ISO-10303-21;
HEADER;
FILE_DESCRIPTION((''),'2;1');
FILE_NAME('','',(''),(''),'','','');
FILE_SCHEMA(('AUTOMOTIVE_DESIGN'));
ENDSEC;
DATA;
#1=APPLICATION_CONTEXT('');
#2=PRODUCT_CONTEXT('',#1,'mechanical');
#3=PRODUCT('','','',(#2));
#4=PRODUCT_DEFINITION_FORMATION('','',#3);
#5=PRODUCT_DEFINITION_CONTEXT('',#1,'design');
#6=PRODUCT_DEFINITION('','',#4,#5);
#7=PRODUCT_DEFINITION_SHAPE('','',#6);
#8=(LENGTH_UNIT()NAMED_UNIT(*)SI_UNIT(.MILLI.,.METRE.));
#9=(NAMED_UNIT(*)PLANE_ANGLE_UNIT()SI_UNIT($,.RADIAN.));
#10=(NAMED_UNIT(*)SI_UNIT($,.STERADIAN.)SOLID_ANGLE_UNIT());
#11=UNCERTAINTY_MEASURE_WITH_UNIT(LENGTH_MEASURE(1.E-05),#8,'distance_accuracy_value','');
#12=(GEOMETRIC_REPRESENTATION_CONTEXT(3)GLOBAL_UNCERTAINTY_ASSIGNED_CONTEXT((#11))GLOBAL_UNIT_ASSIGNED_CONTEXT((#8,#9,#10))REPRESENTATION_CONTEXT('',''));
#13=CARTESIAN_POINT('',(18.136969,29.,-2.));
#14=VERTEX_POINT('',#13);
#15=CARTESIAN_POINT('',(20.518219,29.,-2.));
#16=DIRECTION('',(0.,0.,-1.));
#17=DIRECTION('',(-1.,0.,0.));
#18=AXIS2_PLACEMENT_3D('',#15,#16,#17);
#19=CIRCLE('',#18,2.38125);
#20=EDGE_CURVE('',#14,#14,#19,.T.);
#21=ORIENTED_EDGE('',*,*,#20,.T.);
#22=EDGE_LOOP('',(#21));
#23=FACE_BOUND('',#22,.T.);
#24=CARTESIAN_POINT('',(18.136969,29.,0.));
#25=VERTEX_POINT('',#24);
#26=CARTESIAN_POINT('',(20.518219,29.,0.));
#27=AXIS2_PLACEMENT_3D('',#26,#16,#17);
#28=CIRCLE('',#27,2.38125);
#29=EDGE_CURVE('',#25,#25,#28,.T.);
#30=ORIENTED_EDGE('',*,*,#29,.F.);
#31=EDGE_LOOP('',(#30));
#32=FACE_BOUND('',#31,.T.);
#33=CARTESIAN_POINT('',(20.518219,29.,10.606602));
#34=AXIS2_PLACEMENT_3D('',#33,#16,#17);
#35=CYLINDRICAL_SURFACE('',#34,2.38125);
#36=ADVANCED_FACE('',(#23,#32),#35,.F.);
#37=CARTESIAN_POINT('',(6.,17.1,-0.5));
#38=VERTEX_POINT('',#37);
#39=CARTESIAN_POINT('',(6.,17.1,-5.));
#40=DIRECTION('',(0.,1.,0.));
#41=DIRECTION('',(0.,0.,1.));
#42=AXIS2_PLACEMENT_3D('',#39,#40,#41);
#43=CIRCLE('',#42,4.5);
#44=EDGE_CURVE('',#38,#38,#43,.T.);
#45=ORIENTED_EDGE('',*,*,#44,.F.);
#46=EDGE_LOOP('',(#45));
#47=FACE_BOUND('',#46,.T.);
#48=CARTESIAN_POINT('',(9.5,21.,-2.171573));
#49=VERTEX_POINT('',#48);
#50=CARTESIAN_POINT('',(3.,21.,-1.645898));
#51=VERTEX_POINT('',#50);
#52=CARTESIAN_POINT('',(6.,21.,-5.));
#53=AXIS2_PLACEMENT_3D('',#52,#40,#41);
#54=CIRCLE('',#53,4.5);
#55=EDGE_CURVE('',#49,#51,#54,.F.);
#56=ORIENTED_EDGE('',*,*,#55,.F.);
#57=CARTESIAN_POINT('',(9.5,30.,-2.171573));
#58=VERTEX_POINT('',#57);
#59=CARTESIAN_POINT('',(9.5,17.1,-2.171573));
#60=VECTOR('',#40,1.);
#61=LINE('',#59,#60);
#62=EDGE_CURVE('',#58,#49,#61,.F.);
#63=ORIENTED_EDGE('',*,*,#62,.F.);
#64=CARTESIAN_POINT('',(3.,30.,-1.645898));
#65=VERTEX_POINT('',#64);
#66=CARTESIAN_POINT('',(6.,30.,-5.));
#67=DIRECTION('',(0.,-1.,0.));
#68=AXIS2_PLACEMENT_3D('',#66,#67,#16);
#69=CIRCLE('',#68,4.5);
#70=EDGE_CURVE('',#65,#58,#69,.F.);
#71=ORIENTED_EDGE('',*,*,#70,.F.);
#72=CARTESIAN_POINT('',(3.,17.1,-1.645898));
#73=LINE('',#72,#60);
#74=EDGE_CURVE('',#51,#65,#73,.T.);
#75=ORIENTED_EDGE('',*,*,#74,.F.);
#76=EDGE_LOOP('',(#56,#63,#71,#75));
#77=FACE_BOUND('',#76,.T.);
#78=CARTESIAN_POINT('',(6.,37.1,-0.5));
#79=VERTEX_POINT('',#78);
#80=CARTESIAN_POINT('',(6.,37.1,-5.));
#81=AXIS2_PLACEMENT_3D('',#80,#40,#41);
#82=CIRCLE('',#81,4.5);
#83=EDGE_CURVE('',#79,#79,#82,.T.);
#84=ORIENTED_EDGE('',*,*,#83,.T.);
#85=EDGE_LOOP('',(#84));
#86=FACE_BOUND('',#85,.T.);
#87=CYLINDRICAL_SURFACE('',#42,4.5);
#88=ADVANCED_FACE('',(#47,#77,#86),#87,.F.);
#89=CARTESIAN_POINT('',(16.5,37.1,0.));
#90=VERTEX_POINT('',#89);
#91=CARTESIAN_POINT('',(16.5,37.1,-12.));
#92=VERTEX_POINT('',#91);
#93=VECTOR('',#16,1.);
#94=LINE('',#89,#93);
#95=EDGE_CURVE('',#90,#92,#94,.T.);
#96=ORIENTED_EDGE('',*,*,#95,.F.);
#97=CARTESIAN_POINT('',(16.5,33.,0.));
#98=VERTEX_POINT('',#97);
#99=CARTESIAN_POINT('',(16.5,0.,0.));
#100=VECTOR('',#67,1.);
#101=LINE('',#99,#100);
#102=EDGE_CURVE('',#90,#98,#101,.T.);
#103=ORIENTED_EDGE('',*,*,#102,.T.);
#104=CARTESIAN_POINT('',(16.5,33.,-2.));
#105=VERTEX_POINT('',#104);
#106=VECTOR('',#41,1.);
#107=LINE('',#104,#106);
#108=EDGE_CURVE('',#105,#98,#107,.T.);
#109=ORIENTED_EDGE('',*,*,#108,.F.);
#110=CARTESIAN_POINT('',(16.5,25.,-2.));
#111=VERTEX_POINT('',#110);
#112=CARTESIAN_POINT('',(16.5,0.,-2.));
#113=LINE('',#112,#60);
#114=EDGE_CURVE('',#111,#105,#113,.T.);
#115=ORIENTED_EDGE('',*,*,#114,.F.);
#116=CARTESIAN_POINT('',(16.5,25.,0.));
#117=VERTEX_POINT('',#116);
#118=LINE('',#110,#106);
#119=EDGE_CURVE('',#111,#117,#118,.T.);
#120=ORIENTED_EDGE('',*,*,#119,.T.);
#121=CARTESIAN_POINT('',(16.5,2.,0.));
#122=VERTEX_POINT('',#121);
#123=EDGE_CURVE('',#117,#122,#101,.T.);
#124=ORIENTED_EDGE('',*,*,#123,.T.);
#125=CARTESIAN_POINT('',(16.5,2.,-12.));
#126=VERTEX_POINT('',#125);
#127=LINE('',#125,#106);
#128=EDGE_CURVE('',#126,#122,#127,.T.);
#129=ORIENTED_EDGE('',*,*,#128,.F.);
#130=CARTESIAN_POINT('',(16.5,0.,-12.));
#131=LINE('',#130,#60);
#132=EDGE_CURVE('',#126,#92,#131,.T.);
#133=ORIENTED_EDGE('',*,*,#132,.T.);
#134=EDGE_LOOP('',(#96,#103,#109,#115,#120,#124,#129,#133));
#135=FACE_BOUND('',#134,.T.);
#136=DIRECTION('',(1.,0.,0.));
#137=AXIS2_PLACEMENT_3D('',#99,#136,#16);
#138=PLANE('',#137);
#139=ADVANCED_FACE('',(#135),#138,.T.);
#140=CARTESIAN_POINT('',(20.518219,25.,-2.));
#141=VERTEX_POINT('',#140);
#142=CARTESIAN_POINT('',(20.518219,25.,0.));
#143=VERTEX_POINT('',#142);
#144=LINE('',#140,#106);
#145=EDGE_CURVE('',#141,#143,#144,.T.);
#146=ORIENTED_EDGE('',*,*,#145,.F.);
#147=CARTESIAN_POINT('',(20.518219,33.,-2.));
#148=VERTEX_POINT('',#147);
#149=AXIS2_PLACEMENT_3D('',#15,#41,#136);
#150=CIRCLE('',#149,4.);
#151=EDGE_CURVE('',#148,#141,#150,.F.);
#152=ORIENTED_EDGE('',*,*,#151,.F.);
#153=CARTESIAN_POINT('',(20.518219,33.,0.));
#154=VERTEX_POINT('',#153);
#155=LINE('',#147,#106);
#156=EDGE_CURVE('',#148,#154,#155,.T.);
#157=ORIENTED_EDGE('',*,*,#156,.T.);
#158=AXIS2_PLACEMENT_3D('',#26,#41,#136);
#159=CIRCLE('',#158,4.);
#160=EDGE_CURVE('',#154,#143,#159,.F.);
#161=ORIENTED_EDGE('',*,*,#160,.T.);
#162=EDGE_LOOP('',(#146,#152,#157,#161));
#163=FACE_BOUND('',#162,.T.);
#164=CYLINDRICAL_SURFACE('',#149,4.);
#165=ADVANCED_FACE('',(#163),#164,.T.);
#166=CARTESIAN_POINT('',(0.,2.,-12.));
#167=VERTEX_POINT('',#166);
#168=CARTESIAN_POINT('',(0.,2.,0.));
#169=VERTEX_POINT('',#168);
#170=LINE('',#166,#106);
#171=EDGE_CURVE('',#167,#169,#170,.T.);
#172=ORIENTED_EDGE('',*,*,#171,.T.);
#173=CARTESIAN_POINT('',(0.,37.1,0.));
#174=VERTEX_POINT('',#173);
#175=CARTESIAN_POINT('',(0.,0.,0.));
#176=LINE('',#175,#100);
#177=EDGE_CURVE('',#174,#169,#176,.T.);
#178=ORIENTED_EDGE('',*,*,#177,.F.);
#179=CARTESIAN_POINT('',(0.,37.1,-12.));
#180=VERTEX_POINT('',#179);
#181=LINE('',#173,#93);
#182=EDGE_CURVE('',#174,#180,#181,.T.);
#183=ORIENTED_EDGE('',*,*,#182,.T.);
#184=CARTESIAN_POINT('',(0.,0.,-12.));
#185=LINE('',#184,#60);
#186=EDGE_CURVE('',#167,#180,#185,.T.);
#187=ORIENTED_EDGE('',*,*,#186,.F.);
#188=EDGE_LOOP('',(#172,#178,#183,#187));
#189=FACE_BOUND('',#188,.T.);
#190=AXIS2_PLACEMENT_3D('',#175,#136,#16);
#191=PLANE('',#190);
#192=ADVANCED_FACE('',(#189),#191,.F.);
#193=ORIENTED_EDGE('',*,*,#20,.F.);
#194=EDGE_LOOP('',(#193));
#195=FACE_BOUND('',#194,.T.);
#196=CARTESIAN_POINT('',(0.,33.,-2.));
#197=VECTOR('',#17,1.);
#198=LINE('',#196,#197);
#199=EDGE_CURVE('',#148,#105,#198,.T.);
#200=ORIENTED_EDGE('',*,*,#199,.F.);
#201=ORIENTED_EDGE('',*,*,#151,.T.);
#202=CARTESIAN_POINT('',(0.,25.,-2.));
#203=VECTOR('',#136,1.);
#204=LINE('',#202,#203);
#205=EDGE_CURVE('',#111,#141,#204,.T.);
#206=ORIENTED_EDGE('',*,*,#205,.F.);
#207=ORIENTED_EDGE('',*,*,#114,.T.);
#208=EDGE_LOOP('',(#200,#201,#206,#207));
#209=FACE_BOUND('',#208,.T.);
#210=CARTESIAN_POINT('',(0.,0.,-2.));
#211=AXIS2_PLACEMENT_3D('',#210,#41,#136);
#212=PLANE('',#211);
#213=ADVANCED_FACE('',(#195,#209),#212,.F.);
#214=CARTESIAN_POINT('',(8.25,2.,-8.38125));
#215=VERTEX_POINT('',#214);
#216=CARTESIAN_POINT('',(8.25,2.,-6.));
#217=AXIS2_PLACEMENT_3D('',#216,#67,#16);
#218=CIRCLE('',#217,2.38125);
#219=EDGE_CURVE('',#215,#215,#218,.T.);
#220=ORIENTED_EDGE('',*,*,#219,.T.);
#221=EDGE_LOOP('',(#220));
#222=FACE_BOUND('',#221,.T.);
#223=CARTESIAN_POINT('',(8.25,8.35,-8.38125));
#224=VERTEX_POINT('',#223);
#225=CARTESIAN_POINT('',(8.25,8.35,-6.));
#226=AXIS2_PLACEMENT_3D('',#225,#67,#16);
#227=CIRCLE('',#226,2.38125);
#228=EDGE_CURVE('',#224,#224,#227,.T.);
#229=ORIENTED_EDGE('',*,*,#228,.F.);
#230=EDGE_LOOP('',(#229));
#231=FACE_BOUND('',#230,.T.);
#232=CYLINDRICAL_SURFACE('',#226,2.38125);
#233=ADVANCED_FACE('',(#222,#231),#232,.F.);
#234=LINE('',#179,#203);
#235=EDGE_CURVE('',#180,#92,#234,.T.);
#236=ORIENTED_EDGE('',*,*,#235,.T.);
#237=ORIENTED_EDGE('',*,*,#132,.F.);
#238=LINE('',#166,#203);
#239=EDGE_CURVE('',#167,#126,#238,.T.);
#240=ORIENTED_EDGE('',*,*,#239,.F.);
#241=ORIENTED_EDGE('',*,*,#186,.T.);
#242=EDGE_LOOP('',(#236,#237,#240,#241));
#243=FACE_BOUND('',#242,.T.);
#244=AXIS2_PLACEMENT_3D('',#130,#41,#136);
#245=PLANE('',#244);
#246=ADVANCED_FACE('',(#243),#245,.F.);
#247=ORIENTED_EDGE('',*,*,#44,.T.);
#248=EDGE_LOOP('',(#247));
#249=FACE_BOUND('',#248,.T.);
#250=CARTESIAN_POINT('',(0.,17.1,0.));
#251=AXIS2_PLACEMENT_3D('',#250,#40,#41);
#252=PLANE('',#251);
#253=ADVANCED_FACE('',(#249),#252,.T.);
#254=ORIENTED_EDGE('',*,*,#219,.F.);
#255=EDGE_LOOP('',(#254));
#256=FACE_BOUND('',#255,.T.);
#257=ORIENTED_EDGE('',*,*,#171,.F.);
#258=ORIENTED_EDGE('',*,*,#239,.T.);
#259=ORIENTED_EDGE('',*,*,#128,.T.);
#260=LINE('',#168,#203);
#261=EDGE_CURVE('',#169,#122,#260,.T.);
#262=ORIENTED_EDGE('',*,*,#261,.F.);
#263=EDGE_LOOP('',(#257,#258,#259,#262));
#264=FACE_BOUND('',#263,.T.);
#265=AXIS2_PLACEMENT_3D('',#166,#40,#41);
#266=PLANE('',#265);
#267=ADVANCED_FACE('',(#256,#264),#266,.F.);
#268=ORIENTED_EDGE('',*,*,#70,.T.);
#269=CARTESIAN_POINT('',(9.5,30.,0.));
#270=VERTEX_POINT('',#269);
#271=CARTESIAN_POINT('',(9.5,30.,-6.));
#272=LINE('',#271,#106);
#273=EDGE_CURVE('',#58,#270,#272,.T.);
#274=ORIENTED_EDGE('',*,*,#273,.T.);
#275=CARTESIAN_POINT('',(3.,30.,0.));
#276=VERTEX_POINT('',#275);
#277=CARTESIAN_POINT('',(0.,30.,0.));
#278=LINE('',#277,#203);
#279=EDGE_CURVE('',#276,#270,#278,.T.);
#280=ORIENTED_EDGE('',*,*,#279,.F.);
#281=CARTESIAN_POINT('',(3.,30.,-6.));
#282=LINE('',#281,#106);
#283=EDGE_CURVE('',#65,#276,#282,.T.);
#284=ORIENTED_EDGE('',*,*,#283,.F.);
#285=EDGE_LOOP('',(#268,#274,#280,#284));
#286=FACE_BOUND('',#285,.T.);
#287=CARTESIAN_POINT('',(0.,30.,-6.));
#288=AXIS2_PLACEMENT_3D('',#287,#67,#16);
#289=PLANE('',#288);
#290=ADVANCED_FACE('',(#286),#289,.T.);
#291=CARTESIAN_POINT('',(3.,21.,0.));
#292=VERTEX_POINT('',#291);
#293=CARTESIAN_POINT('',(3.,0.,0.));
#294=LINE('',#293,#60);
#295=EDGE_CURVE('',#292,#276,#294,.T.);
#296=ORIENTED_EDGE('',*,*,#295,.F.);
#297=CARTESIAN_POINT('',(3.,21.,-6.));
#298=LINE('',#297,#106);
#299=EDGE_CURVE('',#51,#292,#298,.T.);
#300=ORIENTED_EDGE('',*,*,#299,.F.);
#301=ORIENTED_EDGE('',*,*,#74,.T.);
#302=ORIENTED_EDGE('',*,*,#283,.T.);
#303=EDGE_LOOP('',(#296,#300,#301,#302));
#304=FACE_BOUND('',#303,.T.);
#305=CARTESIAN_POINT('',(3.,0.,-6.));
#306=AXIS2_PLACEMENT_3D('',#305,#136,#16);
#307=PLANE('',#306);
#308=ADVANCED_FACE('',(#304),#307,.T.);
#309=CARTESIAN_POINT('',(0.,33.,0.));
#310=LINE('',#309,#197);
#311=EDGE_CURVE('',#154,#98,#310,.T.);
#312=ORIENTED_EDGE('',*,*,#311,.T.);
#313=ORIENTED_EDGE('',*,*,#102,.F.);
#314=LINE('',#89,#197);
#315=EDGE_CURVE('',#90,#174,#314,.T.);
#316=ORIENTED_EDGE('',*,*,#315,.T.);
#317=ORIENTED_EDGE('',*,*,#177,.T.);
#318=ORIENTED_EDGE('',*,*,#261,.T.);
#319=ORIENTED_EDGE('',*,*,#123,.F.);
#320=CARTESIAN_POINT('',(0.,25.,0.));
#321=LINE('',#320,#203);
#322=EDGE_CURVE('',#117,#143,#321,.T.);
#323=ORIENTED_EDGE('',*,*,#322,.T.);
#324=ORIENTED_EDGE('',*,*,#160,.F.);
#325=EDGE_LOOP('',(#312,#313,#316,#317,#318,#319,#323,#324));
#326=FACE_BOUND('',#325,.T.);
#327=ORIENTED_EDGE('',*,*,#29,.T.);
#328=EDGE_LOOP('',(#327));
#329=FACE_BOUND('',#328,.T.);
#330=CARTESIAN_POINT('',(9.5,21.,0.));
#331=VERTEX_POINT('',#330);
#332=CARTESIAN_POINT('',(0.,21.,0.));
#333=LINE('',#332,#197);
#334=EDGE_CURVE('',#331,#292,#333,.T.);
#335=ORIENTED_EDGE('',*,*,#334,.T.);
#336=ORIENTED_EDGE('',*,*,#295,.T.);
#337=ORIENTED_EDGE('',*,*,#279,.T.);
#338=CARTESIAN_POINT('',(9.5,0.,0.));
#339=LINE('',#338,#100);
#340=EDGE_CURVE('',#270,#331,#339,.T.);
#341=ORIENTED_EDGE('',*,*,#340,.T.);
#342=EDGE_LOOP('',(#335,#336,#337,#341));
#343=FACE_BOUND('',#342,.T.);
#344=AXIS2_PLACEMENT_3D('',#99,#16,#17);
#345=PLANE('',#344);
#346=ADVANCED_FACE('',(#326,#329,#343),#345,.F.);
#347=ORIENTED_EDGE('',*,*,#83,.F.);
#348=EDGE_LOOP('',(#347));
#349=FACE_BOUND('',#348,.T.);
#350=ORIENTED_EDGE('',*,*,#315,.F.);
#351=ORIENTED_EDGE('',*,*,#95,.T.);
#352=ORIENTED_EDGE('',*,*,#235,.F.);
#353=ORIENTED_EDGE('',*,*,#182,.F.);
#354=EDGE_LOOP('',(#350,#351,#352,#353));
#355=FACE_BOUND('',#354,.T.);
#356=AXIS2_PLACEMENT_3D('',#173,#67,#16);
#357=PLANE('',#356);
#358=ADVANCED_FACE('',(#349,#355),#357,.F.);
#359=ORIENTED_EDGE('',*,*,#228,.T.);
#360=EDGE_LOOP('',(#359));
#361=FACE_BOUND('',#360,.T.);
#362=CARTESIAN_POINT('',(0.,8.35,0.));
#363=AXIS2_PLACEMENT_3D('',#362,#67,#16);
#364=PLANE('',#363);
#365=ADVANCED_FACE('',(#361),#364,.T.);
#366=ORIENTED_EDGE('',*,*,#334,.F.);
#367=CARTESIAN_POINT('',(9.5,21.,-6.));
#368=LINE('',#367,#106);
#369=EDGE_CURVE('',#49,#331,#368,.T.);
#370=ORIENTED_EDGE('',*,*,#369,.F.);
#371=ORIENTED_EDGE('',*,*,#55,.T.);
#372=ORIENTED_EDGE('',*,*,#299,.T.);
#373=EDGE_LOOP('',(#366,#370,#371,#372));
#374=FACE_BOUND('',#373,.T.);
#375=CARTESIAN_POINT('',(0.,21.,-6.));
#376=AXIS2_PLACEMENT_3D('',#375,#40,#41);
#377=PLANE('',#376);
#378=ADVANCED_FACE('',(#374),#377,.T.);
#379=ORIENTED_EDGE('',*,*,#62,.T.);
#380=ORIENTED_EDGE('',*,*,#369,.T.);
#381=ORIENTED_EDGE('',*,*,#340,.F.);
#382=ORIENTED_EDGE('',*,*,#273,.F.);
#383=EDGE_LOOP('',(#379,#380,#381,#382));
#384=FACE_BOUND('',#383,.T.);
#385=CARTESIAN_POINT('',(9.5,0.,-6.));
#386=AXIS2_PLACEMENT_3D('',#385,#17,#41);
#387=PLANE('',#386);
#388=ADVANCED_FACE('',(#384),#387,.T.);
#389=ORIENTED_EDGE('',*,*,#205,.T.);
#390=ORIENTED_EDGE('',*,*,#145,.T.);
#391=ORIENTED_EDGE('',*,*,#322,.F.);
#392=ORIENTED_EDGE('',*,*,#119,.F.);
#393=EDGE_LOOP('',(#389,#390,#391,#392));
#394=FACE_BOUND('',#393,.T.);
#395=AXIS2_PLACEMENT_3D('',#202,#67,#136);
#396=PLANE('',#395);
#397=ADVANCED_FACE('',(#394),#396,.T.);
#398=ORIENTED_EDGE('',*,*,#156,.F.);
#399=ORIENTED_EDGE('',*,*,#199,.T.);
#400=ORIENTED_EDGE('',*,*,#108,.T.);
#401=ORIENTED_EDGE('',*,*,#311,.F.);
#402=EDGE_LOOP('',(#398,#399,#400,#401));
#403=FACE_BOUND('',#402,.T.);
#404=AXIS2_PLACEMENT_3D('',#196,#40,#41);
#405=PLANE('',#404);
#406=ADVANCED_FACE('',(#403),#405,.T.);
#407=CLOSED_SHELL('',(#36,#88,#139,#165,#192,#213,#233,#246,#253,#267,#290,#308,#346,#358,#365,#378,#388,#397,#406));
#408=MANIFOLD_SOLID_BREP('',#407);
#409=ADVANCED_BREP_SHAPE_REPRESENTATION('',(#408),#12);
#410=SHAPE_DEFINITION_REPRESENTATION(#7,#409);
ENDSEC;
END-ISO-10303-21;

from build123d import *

# Parameters (mm, degrees)
BOSS_EXTRUDE4_DEPTH = 16.5
CUT_EXTRUDE2_DEPTH  = 1.5
CUT_EXTRUDE4_DEPTH  = 17.5
SKETCH6_W           = 12
SKETCH6_H           = 2
CUT_EXTRUDE5_DEPTH  = 17.5
BOSS_EXTRUDE5_DEPTH = 2
SKETCH10_R          = 2.38125
CUT_EXTRUDE6_DEPTH  = 13.606601718
CUT_EXTRUDE7_DEPTH  = 17.5
SKETCH12_R          = 2.38125
CUT_EXTRUDE8_DEPTH  = 6.35
SKETCH13_R          = 4.5
CUT_EXTRUDE13_DEPTH = 20
SKETCH14_W          = 6.5
SKETCH14_H          = 9
CUT_EXTRUDE14_DEPTH = 6


with BuildPart() as part:
    # Sketch1 → Boss-Extrude4 (new body)
    with BuildSketch(Plane(origin=(0, 0, 0), x_dir=(0, 0, -1), z_dir=(1, 0, 0))):
        Polygon((0, 0), (0, 37.1), (-10.606601718, 47.706601718), (12, 47.706601718), (12, 0), align=None)
    extrude(amount=BOSS_EXTRUDE4_DEPTH)

    # Sketch4 → Cut-Extrude2 (cut)
    with BuildSketch(Plane.ZY):
        Polygon((0, 37.1), (0, 47.706601718), (10.606601718, 47.706601718), align=None)
    extrude(amount=-CUT_EXTRUDE2_DEPTH, mode=Mode.SUBTRACT)

    # Sketch5 → Cut-Extrude4 (cut, through all)
    with BuildSketch(Plane(origin=(16.5, 0, 0), x_dir=(0, 0, -1), z_dir=(1, 0, 0))):
        Polygon((-3.566952421, 40.666952421), (-2.859845639, 39.959845639), (-1.799185468, 41.020505811), (0, 39.221320344), (0, 42.756854249), (-2.683068944, 45.439923194), (-4.450835897, 43.672156241), (-3.036622335, 42.257942678), (-4.097282506, 41.197282506), align=None)
    extrude(amount=-CUT_EXTRUDE4_DEPTH, mode=Mode.SUBTRACT)

    # Sketch6 → Cut-Extrude5 (cut, through all)
    with BuildSketch(Plane(origin=(16.5, 0, 0), x_dir=(0, 0, -1), z_dir=(1, 0, 0))):
        with Locations((6, 1)):
            Rectangle(SKETCH6_W, SKETCH6_H)
    extrude(amount=-CUT_EXTRUDE5_DEPTH, mode=Mode.SUBTRACT)

    # Sketch9 → Boss-Extrude5 (add)
    with BuildSketch(Plane.XY):
        with BuildLine():
            Line((16.5, 29), (16.5, 25))
            Line((16.5, 25), (20.518219338, 25))
            ThreePointArc((20.518219338, 25), (24.518219338, 29), (20.518219338, 33))
            Line((20.518219338, 33), (16.5, 33))
            Line((16.5, 33), (16.5, 29))
        make_face()
    extrude(amount=-BOSS_EXTRUDE5_DEPTH)

    # Sketch10 → Cut-Extrude6 (cut, through all)
    with BuildSketch(Plane(origin=(0, 0, -2), x_dir=(-1, 0, 0), z_dir=(0, 0, -1))):
        with Locations((-20.518219338, 29)):
            Circle(SKETCH10_R)
    extrude(amount=-CUT_EXTRUDE6_DEPTH, mode=Mode.SUBTRACT)

    # Sketch11 → Cut-Extrude7 (cut, through all)
    with BuildSketch(Plane(origin=(16.5, 0, 0), x_dir=(0, 0, -1), z_dir=(1, 0, 0))):
        Polygon((0, 37.1), (-10.606601718, 47.706601718), (12, 47.706601718), (12, 37.1), align=None)
    extrude(amount=-CUT_EXTRUDE7_DEPTH, mode=Mode.SUBTRACT)

    # Sketch12 → Cut-Extrude8 (cut)
    with BuildSketch(Plane.XZ.offset(-2)):
        with Locations((8.25, -6)):
            Circle(SKETCH12_R)
    extrude(amount=-CUT_EXTRUDE8_DEPTH, mode=Mode.SUBTRACT)

    # Sketch13 → Cut-Extrude13 (cut)
    with BuildSketch(Plane(origin=(0, 37.1, 0), x_dir=(1, 0, 0), z_dir=(0, 1, 0))):
        with Locations((6, 5)):
            Circle(SKETCH13_R)
    extrude(amount=-CUT_EXTRUDE13_DEPTH, mode=Mode.SUBTRACT)

    # Sketch14 → Cut-Extrude14 (cut)
    with BuildSketch(Plane.XY):
        with Locations((6.25, 25.5)):
            Rectangle(SKETCH14_W, SKETCH14_H)
    extrude(amount=-CUT_EXTRUDE14_DEPTH, mode=Mode.SUBTRACT)


solid = part.part
